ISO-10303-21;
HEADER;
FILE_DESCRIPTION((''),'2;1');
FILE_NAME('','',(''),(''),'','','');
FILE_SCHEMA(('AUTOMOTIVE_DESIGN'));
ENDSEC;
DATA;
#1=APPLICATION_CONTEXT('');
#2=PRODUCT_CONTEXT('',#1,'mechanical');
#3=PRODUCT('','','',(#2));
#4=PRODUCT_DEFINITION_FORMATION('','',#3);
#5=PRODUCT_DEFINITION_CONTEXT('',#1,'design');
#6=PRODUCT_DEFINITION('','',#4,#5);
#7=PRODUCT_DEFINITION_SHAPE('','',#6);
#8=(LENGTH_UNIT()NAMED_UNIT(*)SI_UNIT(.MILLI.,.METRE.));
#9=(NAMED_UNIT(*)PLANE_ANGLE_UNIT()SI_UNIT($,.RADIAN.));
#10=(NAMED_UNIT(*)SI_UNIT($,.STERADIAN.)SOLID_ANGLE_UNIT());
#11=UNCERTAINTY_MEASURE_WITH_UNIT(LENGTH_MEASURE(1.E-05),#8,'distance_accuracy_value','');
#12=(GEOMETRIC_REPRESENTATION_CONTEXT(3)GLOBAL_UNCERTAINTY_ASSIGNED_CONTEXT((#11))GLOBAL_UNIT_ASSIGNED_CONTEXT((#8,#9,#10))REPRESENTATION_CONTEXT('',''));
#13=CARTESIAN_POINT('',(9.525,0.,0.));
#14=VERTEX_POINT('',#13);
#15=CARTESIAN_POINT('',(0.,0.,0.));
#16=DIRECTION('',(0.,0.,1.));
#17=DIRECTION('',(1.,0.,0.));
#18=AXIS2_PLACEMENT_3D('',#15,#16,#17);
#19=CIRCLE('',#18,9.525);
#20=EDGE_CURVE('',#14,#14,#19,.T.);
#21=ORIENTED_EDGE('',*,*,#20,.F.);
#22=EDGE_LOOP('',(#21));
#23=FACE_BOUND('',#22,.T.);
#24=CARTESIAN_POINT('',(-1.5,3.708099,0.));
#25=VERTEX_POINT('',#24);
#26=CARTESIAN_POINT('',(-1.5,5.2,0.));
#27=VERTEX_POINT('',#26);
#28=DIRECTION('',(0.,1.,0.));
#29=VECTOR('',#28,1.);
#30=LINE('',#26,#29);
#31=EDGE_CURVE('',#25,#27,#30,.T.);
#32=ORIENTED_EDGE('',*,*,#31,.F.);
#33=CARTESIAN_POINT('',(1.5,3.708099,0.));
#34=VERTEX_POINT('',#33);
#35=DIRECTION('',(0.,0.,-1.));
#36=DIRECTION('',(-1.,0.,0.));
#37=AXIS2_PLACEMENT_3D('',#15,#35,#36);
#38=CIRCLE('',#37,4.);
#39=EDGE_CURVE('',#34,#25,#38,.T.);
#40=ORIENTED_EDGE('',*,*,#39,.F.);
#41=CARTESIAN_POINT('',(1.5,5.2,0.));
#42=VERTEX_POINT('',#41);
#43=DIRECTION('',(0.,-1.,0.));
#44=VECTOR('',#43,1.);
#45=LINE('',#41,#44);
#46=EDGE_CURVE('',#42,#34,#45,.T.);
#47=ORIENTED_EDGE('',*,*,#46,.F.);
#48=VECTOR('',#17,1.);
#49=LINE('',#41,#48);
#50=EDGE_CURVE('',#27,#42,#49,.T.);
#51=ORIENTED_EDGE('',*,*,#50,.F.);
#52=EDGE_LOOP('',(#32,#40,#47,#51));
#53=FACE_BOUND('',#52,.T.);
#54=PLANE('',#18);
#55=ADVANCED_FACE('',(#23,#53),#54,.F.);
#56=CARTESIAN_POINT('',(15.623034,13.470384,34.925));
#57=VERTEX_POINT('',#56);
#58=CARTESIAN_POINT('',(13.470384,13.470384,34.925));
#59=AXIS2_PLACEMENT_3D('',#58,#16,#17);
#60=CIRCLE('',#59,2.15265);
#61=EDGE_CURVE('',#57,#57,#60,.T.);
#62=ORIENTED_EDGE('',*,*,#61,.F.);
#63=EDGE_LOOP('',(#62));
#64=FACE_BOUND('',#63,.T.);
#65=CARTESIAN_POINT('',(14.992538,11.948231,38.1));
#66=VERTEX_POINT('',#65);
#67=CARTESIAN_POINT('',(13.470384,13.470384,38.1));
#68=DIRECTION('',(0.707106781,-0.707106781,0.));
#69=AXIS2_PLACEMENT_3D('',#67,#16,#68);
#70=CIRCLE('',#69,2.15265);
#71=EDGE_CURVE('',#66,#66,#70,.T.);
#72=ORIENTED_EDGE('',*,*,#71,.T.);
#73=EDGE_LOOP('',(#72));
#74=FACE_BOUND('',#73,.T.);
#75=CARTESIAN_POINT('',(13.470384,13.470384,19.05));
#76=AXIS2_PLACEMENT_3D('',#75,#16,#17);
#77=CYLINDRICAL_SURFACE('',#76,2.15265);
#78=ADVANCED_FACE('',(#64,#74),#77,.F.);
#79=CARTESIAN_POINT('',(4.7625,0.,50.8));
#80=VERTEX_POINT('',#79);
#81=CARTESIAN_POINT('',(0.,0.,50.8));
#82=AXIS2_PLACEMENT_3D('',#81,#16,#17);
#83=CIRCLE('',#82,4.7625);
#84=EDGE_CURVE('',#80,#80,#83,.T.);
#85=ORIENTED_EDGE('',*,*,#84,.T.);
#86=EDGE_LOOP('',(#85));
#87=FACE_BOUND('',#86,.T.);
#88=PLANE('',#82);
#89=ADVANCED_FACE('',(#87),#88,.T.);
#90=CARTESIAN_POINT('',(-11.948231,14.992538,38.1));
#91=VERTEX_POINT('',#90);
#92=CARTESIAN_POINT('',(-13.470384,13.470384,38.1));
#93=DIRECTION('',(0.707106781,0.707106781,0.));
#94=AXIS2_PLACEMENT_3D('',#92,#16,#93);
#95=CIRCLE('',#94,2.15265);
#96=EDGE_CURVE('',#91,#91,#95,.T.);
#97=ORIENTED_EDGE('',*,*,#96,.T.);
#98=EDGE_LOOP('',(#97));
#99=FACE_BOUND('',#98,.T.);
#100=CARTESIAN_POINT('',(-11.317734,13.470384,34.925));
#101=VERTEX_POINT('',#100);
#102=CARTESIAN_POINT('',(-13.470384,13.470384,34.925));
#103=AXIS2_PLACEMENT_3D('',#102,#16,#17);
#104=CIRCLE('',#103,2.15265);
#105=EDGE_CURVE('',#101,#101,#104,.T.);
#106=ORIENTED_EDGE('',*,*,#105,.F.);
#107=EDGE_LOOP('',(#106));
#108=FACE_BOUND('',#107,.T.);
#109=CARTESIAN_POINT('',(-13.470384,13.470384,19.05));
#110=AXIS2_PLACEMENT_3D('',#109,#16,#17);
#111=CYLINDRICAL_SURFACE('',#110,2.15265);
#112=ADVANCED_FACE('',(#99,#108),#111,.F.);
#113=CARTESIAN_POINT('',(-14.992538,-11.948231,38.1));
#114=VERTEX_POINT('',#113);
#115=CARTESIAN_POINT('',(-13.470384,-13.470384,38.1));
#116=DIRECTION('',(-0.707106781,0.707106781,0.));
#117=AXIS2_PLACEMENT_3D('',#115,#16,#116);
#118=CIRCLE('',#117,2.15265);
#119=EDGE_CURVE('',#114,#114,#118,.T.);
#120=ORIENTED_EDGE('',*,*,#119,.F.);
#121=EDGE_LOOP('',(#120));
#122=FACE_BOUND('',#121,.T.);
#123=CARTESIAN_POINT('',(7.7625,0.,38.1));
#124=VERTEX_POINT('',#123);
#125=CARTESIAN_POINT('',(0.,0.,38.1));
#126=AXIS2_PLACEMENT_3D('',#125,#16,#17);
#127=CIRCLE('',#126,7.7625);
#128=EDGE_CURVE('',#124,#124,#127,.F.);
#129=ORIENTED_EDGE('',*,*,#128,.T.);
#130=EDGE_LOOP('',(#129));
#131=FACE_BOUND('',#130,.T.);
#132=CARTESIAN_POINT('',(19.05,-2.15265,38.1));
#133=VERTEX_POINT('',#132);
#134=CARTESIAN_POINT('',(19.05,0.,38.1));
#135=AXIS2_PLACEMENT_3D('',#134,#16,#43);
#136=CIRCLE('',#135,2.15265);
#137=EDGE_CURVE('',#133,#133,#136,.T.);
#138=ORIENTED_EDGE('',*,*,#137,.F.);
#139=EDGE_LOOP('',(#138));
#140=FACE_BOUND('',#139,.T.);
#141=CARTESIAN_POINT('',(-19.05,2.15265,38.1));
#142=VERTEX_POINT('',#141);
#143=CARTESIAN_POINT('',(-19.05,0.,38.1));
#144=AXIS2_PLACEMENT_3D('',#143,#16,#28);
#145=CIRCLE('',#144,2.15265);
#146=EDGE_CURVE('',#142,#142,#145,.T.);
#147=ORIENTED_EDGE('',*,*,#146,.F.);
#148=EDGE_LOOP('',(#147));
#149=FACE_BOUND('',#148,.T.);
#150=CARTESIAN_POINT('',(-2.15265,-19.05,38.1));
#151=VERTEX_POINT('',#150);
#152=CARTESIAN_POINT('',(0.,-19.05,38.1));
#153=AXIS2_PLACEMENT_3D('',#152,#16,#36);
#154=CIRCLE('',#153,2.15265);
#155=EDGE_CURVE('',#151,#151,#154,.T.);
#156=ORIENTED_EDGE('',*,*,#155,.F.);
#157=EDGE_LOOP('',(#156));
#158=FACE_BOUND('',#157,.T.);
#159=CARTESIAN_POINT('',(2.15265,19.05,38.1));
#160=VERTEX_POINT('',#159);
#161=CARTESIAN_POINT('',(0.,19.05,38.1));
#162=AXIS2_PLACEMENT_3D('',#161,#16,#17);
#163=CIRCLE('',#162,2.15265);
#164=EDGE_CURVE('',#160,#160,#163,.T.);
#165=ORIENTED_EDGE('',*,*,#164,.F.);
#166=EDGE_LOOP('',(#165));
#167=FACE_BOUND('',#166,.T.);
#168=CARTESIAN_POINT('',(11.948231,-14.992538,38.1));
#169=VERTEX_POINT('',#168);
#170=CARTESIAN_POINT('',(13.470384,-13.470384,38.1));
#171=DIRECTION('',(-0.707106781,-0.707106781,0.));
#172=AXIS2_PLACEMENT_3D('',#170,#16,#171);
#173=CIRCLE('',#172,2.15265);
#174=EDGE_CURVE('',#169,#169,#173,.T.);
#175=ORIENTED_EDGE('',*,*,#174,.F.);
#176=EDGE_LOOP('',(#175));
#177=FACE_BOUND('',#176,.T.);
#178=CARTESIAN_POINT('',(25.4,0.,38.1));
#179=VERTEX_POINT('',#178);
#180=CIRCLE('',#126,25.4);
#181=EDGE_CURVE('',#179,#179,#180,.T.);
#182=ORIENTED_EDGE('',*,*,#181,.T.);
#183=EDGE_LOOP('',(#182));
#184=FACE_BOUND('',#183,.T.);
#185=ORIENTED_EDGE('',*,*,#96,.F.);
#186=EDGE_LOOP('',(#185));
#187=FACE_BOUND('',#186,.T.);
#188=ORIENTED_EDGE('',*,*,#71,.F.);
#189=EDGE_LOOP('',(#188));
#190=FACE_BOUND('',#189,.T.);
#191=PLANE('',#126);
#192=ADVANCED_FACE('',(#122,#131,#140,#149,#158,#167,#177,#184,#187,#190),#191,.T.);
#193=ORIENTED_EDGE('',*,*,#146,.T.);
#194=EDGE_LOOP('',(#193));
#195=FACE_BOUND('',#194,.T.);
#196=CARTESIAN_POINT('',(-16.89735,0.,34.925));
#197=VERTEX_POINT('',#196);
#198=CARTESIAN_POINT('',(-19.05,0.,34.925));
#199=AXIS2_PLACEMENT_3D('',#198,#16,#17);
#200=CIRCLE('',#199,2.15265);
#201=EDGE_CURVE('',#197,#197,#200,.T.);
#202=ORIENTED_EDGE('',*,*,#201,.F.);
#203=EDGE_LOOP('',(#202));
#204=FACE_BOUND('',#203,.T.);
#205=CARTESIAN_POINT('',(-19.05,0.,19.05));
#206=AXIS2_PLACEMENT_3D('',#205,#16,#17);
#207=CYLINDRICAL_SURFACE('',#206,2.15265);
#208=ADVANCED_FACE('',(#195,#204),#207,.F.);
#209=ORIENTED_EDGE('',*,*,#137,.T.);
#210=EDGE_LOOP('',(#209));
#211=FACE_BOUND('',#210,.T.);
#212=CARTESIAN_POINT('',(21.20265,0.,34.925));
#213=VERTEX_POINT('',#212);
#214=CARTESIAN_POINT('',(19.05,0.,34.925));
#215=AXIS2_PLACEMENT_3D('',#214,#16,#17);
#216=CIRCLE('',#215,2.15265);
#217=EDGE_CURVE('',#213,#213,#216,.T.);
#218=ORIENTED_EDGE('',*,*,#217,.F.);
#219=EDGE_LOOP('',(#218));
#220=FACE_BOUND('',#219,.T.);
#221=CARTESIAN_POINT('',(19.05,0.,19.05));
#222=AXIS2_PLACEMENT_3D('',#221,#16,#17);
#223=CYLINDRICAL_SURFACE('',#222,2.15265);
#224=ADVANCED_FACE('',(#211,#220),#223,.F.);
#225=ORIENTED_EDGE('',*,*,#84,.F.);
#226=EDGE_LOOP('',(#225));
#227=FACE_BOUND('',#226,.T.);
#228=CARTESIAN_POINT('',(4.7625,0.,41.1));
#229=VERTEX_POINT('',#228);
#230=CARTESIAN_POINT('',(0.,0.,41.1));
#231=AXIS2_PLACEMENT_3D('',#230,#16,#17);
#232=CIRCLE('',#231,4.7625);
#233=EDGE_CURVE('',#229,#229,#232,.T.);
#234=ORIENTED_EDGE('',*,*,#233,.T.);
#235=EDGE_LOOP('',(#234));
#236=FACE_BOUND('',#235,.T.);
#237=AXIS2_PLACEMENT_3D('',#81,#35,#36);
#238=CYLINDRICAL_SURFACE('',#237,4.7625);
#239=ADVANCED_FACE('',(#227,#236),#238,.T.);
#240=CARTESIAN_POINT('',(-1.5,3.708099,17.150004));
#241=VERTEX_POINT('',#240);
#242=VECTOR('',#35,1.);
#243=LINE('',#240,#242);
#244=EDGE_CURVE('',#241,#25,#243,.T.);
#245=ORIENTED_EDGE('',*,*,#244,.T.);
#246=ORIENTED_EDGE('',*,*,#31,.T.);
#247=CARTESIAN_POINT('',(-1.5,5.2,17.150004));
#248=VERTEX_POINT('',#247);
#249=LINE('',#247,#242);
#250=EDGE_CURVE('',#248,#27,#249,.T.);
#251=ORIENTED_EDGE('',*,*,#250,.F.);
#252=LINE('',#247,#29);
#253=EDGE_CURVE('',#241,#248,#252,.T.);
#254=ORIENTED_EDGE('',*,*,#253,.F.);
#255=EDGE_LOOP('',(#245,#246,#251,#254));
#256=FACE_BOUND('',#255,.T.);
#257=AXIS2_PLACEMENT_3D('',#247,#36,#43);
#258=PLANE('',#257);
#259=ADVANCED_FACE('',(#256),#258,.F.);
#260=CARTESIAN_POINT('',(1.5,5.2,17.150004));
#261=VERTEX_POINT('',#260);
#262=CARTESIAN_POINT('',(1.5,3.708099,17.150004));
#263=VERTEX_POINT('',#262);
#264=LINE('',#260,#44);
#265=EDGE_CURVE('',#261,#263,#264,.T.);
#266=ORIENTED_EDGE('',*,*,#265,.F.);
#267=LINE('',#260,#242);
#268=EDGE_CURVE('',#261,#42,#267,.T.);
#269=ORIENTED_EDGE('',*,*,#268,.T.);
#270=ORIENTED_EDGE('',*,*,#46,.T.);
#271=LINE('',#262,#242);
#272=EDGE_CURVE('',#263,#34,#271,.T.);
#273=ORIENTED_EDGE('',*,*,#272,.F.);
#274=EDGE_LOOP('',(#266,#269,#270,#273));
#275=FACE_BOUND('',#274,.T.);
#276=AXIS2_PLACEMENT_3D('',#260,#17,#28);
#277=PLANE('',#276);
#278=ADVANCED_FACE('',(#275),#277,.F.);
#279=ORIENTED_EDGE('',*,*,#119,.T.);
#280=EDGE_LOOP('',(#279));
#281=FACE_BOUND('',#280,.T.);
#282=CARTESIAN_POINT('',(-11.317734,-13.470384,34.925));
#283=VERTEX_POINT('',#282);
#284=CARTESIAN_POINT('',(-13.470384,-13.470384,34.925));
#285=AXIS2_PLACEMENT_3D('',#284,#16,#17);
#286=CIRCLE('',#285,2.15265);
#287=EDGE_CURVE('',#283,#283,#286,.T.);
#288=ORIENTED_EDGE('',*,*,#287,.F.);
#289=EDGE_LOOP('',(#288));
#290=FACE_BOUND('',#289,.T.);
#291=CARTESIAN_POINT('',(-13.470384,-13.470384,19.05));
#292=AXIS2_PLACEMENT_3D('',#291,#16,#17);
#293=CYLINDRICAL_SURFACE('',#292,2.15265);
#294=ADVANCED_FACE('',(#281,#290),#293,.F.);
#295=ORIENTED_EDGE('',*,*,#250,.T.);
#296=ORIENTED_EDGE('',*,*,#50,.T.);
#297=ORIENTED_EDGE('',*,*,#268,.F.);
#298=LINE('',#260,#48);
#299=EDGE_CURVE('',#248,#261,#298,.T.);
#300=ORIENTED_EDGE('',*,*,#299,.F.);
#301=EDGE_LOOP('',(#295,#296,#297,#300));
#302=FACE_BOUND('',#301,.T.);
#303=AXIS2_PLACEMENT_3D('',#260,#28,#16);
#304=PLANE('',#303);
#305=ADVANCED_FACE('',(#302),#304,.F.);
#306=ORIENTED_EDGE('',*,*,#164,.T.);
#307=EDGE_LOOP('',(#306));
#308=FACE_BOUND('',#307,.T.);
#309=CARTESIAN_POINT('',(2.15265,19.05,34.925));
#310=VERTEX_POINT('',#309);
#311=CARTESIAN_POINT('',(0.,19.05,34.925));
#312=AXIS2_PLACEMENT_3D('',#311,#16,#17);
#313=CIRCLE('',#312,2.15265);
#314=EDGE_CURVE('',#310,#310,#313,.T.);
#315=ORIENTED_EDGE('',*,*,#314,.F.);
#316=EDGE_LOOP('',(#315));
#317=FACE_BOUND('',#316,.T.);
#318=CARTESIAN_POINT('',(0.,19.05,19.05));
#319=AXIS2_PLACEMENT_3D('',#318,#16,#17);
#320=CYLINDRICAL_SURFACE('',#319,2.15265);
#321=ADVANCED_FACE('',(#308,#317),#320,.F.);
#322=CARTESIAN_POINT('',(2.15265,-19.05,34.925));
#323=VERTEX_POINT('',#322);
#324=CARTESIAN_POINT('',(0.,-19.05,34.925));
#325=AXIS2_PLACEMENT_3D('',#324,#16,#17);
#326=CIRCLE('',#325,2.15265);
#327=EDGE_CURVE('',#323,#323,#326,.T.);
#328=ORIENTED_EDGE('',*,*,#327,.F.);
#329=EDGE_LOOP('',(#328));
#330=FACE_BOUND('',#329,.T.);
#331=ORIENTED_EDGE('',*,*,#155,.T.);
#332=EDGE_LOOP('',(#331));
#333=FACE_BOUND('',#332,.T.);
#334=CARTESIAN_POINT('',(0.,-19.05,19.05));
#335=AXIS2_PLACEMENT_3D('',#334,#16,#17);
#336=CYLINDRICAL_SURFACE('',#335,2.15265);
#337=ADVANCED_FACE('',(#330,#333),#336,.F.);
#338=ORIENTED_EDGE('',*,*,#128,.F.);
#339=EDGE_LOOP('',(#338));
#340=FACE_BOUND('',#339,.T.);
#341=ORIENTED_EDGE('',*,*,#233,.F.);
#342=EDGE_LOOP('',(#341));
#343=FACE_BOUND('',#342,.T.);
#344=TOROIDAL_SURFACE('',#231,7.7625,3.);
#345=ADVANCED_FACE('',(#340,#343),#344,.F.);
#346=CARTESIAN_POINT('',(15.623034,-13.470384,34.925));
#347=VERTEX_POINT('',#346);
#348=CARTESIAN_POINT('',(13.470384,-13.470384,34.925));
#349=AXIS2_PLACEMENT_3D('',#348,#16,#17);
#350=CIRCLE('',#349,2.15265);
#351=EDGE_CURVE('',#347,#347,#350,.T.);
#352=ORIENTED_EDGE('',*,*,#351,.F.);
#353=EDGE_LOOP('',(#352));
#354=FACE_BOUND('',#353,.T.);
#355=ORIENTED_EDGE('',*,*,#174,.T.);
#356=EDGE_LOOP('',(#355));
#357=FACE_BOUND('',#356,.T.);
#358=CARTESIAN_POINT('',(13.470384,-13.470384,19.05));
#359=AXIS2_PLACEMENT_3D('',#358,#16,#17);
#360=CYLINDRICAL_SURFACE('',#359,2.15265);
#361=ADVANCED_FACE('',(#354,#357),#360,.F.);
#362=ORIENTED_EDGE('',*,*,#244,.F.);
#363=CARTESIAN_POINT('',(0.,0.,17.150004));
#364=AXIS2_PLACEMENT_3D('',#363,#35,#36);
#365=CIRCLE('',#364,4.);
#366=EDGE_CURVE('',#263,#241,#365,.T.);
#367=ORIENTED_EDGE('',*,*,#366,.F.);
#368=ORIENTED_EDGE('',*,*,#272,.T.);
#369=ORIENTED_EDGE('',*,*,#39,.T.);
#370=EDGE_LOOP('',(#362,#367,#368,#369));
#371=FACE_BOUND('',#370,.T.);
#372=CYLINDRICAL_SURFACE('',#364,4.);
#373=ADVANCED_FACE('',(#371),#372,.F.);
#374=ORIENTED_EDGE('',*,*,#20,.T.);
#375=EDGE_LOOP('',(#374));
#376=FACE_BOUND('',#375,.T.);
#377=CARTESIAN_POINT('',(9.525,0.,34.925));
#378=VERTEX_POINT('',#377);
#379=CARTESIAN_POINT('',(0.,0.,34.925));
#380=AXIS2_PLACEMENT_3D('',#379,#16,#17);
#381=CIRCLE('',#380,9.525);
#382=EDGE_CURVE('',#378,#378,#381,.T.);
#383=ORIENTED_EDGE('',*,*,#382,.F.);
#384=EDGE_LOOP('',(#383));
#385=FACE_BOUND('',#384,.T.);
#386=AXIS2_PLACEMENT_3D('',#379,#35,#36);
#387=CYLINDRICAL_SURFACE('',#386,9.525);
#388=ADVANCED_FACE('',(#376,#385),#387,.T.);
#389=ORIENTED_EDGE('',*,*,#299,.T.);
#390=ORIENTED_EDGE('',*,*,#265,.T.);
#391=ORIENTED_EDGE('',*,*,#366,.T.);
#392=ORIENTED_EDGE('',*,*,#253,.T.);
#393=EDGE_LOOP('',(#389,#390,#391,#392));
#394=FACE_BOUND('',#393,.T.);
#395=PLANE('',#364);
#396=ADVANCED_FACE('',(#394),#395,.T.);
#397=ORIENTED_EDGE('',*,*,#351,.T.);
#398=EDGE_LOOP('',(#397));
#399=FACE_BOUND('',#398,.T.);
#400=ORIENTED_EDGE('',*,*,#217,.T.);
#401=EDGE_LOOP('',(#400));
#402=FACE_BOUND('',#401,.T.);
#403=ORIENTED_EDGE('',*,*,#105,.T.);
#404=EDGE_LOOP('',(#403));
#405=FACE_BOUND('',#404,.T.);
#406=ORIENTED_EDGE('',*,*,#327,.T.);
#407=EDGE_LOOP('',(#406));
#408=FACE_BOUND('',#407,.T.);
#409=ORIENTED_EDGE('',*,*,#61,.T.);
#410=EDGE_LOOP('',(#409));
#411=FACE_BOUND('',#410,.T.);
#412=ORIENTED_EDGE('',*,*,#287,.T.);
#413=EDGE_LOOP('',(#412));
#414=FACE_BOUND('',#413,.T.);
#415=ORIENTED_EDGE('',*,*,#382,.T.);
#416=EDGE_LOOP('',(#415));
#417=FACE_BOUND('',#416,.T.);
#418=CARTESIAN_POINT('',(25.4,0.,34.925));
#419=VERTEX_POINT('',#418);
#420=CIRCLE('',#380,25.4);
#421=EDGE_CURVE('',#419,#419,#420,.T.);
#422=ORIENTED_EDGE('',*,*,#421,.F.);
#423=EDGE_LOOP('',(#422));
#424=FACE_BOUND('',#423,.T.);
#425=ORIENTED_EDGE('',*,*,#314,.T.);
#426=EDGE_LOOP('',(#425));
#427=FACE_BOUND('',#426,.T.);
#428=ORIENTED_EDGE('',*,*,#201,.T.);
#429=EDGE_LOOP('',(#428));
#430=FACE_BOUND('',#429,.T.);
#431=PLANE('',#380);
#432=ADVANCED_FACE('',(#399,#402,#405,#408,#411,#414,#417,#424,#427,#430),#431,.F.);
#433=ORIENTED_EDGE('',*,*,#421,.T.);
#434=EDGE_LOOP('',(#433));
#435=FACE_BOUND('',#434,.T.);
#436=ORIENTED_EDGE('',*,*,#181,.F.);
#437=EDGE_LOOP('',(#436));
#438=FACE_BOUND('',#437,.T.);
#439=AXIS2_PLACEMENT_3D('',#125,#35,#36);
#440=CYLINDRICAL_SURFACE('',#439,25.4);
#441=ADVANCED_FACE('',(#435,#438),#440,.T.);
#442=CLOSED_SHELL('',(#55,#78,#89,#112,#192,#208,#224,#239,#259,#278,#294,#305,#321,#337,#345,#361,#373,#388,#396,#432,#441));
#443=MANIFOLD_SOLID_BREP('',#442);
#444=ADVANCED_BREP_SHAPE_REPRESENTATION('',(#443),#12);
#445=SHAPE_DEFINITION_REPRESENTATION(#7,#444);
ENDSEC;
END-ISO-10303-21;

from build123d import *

# Parameters (mm, degrees)
SKETCH1_R                                       = 9.525
BOSS_EXTRUDE1_DEPTH                             = 34.925
SKETCH2_R                                       = 25.4
BOSS_EXTRUDE2_DEPTH                             = 3.175
SKETCH3_R                                       = 4.7625
BOSS_EXTRUDE3_DEPTH                             = 12.7
SKETCH4_R                                       = 2.15265
CUT_EXTRUDE1_DEPTH                              = 19.05
CIRPATTERN1_COUNT                               = 8
FILLET1_R                                       = 3
F_16_6MMFORKEYWAYDEPTHAND_6MMFOREXTRA_375_DEPTH = 17.1500038


with BuildPart() as part:
    # Sketch1 → Boss-Extrude1 (new body)
    with BuildSketch(Plane.XY):
        Circle(SKETCH1_R)
    extrude(amount=BOSS_EXTRUDE1_DEPTH)

    # Sketch2 → Boss-Extrude2 (add)
    with BuildSketch(Plane.XY.offset(34.925)):
        Circle(SKETCH2_R)
    extrude(amount=BOSS_EXTRUDE2_DEPTH)

    # Sketch3 → Boss-Extrude3 (add)
    with BuildSketch(Plane.XY.offset(38.1)):
        Circle(SKETCH3_R)
    extrude(amount=BOSS_EXTRUDE3_DEPTH)

    # Sketch4 → Cut-Extrude1 (cut)
    with BuildSketch(Plane.XY.offset(38.1)):
        with Locations((0, 19.05)):
            Circle(SKETCH4_R)
    cut_extrude1 = extrude(amount=-CUT_EXTRUDE1_DEPTH, mode=Mode.SUBTRACT)

    # CirPattern1: Cut-Extrude1 ×8 about axis
    cirpattern1_axis = Axis((0, 0, 0), (0, 0, 1))
    for i in range(1, CIRPATTERN1_COUNT):
        add(cut_extrude1.rotate(cirpattern1_axis, i * 360 / CIRPATTERN1_COUNT), mode=Mode.SUBTRACT)

    # Fillet1
    fillet1_edges = [part.edges().sort_by_distance(p)[0] for p in [
        (-4.7625, 0, 38.1),
    ]]
    fillet(fillet1_edges, radius=FILLET1_R)

    # Sketch5 → 16.6mmForKeywayDepthand.6mmForExtra.375 (cut)
    with BuildSketch(Plane(origin=(0, 0, 0), x_dir=(-1, 0, 0), z_dir=(0, 0, -1))):
        with BuildLine():
            Line((-1.5, 5.2), (1.5, 5.2))
            Line((1.5, 5.2), (1.5, 3.708099244))
            ThreePointArc((1.5, 3.708099244), (0, -4), (-1.5, 3.708099244))
            Line((-1.5, 3.708099244), (-1.5, 5.2))
        make_face()
    extrude(amount=-F_16_6MMFORKEYWAYDEPTHAND_6MMFOREXTRA_375_DEPTH, mode=Mode.SUBTRACT)


solid = part.part
